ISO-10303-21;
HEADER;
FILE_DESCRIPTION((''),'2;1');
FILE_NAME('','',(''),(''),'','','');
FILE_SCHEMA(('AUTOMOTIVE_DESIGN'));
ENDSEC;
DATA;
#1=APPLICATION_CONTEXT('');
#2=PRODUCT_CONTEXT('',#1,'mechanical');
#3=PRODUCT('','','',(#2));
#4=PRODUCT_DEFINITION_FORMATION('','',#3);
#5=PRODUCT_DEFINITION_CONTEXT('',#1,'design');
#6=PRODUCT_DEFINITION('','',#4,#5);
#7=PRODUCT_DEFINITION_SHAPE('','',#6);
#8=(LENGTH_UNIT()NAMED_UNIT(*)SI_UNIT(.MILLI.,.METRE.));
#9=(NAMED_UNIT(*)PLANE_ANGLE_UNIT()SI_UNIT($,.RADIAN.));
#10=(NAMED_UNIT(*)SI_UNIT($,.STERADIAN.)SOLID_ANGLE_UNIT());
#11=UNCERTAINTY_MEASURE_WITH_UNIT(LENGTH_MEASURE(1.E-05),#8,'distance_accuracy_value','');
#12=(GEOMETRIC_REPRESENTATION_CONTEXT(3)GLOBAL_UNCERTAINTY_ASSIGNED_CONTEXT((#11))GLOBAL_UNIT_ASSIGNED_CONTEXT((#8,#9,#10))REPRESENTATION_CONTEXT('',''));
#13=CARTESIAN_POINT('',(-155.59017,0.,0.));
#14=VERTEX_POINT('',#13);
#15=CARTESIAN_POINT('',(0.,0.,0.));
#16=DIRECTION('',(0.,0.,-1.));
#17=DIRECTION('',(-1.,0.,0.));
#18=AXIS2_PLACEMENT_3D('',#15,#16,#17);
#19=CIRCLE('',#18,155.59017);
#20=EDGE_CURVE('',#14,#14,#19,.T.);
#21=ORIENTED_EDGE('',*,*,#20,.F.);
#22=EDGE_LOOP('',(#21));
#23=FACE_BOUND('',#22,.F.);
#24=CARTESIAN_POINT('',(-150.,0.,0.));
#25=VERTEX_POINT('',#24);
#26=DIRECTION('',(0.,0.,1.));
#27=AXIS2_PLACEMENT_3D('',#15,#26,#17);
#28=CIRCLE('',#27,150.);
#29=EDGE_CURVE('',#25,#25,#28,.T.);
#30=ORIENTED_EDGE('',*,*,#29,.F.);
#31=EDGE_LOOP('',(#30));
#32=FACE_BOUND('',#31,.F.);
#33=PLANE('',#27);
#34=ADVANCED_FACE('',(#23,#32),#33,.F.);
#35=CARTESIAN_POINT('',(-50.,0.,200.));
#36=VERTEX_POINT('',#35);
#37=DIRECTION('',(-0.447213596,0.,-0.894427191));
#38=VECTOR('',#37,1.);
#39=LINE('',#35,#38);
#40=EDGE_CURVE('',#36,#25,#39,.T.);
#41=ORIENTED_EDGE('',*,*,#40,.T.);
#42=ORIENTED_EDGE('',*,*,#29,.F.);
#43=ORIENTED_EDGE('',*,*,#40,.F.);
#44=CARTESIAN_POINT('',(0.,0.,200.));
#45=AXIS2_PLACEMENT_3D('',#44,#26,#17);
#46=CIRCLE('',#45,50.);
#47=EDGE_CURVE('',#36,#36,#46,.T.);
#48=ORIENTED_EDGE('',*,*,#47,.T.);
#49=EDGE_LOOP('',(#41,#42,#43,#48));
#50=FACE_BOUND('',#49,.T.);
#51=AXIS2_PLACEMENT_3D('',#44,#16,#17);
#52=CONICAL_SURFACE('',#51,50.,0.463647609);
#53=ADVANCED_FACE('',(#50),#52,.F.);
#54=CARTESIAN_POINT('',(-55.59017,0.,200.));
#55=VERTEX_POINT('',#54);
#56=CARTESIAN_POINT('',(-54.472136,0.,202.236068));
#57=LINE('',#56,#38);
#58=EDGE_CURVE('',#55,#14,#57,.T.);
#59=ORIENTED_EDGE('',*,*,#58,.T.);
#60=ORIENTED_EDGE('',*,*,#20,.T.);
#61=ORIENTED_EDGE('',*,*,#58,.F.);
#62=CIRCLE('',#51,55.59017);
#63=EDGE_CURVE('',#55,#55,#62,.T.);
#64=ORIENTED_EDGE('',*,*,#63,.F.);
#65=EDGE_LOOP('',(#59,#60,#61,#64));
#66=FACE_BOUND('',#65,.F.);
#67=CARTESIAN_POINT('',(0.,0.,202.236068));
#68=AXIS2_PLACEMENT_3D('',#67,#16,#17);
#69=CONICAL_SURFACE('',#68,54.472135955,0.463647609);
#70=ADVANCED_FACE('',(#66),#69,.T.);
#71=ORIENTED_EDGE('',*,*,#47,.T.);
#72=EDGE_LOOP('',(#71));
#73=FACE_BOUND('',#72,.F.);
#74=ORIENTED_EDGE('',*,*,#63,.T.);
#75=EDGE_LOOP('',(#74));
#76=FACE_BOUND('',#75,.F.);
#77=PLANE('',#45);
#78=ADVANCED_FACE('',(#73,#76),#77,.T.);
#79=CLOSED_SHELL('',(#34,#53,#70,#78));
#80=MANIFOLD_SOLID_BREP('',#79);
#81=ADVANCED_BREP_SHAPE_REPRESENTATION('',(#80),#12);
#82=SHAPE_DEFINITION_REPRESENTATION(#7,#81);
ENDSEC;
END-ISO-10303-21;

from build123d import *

# Parameters (mm, degrees)
F2_T = 5


with BuildPart() as f1:
    # F0 (on Front) → F1 (revolve)
    with BuildSketch(Plane.XZ):
        Polygon((-150, 0), (0, 0), (0, 200), (-50, 200), align=None)
    revolve(axis=Axis((0, 0, 100), (0, 0, 1)))

    # F2
    f2_openings = [f1.faces().sort_by_distance(p)[0] for p in [
        (0, 0, 200),
        (0, 0, 0),
    ]]
    offset(amount=F2_T, openings=f2_openings)


solid = f1.part
